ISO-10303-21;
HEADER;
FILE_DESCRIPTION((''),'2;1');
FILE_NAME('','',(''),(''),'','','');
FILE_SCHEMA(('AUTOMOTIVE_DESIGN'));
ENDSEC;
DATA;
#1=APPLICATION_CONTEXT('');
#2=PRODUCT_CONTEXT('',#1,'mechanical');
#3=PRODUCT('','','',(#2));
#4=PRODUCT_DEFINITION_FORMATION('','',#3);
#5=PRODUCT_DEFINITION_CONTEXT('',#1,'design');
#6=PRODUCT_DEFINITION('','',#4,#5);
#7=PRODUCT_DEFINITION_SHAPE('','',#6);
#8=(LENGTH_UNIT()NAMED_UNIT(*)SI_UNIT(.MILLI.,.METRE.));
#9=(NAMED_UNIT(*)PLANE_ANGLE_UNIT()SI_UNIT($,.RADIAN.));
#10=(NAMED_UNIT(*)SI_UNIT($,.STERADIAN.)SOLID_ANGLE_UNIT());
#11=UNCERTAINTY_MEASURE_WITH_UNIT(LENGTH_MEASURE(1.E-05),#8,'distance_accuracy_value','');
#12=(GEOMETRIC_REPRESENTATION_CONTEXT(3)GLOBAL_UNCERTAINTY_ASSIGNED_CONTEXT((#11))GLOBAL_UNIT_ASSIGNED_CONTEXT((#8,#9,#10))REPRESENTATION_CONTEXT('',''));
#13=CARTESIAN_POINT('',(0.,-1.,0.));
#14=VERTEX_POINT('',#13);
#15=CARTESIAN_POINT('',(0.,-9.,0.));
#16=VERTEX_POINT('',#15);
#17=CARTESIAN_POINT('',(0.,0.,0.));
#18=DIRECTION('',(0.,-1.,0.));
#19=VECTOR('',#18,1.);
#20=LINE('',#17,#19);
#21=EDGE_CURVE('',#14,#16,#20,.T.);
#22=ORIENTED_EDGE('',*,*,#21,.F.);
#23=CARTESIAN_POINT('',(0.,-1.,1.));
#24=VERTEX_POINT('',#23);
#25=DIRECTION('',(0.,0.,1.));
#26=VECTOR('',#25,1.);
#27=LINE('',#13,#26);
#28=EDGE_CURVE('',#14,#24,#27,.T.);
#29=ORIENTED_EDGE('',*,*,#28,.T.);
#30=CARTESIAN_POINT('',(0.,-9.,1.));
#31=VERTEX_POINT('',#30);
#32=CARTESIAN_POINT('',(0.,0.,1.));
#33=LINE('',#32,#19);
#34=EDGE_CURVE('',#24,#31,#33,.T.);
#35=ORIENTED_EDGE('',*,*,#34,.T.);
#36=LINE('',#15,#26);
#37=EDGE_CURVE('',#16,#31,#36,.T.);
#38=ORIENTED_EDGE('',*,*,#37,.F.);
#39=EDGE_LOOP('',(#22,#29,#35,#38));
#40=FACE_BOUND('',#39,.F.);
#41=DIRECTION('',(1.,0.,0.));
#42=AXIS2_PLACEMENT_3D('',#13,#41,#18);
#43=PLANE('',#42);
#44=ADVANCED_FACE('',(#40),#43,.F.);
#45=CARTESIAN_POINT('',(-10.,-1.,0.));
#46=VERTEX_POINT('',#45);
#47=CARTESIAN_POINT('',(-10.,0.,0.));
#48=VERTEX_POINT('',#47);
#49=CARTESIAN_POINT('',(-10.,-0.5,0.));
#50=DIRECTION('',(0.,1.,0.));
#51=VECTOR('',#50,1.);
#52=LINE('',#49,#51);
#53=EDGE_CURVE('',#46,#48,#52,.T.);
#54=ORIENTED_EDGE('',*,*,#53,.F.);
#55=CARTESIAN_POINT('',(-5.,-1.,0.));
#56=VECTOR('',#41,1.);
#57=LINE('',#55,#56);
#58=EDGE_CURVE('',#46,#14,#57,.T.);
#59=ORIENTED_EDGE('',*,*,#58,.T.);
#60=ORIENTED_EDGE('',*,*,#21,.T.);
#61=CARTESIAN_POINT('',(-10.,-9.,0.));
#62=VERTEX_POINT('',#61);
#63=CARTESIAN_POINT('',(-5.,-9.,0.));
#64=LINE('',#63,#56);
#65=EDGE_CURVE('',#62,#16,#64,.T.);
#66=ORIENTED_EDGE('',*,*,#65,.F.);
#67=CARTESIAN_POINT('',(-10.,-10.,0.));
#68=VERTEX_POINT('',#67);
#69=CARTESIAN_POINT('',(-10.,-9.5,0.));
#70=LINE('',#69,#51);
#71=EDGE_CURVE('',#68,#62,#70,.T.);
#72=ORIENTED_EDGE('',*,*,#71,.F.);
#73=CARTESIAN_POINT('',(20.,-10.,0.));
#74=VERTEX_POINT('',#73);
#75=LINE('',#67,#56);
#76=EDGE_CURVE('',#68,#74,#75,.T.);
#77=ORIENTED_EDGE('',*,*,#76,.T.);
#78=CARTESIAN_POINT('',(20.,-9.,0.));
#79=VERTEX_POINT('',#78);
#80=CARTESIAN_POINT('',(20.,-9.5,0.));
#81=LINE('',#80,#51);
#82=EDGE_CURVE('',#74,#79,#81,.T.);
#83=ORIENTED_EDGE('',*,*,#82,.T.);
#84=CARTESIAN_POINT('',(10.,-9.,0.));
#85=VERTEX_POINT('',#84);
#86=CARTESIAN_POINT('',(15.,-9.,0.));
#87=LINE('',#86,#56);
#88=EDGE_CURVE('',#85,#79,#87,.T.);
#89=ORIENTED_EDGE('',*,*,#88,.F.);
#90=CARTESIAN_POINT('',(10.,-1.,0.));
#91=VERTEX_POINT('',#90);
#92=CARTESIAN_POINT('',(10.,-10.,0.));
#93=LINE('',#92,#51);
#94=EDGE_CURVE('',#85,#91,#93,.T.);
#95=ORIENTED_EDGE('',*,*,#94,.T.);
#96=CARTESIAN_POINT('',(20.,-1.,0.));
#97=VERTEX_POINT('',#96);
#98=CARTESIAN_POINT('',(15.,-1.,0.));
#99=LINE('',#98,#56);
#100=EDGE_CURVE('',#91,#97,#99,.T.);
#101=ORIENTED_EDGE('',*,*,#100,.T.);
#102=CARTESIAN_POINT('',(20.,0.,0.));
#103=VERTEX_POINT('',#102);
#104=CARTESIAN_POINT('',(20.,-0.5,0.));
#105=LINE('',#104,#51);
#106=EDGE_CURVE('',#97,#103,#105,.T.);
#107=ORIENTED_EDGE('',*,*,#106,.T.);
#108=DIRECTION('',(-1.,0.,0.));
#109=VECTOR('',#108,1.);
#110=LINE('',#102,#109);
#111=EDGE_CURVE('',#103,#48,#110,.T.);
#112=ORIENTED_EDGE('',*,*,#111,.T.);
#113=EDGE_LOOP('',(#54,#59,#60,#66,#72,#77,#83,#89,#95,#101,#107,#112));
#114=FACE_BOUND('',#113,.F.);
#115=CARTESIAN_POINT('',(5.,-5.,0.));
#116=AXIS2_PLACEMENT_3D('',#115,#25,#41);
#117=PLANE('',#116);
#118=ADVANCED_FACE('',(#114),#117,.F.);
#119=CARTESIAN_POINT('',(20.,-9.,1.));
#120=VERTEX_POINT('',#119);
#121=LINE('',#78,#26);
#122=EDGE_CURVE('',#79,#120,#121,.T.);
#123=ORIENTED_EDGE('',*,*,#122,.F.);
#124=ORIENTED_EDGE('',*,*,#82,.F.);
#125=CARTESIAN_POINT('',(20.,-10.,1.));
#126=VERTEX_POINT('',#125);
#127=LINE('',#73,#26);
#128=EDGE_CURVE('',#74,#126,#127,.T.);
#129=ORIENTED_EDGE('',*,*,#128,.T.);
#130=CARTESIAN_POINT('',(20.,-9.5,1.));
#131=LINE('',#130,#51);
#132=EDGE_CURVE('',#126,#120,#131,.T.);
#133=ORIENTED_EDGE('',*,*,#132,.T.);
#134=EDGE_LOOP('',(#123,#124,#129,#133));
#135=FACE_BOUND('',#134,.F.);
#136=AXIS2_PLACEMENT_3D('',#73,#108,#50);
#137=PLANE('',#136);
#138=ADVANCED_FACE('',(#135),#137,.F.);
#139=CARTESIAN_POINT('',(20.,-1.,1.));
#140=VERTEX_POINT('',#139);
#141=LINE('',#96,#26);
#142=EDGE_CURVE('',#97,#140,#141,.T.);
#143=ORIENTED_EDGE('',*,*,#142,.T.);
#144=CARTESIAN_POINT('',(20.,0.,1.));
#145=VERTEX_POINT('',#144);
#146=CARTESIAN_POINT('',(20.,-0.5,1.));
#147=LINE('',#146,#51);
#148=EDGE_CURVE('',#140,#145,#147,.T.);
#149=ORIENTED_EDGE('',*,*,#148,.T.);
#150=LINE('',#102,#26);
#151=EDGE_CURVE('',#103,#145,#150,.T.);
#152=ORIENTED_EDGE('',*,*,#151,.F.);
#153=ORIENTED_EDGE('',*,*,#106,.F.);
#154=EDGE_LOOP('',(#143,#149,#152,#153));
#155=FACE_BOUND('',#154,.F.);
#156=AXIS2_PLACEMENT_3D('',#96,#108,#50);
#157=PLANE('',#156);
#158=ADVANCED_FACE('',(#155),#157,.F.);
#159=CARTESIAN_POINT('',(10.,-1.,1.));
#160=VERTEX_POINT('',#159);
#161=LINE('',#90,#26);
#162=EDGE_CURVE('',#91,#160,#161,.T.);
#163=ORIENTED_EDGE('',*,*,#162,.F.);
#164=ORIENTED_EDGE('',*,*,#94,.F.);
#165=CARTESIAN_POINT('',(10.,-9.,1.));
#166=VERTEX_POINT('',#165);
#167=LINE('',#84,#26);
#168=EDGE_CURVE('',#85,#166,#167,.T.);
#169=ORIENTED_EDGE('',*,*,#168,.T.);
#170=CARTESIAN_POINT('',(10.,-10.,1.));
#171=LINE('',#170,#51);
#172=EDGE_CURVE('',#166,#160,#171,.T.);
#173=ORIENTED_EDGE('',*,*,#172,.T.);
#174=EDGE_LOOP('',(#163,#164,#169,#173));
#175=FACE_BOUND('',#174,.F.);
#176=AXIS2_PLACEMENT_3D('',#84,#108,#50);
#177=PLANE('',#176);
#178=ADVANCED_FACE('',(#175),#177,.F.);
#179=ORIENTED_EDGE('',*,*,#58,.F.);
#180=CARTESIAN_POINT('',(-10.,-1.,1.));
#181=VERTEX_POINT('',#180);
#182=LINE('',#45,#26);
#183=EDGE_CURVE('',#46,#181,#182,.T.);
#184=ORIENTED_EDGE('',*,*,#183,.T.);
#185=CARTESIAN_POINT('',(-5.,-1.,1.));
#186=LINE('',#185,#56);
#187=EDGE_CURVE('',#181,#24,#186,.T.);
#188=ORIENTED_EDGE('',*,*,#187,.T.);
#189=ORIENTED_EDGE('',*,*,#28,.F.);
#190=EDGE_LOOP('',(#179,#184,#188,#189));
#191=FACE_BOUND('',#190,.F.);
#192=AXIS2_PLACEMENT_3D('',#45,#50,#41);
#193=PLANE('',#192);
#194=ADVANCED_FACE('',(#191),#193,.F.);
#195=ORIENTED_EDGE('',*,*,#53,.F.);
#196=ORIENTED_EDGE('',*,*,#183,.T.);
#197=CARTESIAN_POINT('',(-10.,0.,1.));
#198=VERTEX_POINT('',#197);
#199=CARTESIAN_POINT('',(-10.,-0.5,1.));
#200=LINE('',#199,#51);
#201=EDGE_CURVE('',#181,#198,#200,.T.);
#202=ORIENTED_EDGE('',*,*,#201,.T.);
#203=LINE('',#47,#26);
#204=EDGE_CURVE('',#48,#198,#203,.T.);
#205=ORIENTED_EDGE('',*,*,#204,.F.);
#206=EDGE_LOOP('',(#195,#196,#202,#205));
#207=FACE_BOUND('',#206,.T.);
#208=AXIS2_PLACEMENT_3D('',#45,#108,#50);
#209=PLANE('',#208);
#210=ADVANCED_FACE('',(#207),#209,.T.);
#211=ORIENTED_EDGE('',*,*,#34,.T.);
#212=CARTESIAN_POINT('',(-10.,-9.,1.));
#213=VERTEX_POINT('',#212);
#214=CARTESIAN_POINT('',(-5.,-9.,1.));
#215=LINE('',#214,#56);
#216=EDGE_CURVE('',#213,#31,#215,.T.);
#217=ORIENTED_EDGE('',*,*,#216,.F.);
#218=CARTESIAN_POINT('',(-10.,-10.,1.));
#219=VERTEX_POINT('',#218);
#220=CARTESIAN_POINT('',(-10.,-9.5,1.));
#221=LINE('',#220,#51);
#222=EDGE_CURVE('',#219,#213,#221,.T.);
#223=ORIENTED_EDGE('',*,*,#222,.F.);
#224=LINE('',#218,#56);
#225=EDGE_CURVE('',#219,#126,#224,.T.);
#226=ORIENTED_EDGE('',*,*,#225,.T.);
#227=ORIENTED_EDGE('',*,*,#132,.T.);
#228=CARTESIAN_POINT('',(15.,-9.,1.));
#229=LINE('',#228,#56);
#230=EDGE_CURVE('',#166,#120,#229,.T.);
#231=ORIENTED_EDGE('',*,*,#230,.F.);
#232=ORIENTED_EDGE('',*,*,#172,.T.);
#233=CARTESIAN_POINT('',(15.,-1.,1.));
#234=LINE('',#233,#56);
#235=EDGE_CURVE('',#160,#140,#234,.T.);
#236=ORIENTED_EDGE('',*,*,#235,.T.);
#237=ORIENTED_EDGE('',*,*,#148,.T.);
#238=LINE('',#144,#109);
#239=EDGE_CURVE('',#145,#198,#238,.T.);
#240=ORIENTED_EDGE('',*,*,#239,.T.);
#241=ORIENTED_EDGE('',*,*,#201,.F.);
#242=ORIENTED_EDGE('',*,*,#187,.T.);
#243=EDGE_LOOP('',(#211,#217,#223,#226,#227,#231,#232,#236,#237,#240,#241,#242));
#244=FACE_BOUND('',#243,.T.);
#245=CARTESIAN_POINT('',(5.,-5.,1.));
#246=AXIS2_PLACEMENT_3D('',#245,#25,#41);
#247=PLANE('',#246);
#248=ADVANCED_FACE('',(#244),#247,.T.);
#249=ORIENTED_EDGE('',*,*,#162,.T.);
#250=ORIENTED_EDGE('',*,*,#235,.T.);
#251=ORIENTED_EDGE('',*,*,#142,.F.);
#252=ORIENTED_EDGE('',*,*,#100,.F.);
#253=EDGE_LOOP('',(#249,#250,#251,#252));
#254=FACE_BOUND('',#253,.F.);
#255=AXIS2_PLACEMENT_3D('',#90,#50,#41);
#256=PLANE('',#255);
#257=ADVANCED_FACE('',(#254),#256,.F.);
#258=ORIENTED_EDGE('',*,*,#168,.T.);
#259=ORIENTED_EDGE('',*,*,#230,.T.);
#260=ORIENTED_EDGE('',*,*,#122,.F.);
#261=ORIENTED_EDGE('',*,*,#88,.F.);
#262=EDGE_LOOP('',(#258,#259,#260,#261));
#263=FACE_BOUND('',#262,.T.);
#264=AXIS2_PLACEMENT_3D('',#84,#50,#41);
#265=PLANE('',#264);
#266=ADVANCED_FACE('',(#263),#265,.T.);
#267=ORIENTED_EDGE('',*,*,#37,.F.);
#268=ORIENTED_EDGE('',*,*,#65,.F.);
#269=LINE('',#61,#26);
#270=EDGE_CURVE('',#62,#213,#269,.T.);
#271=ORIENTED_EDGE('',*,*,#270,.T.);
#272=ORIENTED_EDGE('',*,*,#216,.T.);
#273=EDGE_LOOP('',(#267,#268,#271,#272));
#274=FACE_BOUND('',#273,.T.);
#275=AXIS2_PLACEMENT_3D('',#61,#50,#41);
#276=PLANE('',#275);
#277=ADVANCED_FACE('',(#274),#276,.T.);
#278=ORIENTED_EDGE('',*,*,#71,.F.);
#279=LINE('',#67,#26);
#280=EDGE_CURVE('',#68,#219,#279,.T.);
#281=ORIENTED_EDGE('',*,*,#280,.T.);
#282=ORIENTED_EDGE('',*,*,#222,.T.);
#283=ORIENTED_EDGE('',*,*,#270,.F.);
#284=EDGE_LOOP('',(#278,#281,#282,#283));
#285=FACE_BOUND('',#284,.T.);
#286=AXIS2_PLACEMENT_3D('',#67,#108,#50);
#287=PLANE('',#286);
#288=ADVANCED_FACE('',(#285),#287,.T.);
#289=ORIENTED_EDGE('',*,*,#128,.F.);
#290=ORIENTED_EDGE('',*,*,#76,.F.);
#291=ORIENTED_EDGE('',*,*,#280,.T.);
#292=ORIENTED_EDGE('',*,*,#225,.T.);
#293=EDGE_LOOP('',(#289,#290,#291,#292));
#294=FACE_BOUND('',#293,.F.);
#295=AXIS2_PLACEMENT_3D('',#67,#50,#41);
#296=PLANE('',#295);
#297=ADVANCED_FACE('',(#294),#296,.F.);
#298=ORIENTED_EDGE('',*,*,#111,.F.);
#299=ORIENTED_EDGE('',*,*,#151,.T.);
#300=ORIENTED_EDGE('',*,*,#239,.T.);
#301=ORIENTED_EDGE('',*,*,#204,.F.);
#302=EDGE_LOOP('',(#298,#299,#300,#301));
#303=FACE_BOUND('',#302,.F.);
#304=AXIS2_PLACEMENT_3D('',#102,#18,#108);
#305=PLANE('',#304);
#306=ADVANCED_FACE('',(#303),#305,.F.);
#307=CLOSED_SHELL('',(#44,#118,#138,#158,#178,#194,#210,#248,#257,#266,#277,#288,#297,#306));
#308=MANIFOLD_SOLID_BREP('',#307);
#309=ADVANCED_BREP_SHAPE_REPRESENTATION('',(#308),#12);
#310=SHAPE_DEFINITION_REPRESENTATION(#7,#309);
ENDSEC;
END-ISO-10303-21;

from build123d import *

# Parameters (mm, degrees)
F0_W     = 10
F0_H     = 1
F1_DEPTH = 1


with BuildPart() as f1:
    # F0 (on Top) → F1 (new body)
    with BuildSketch(Plane.XY):
        Polygon((10, 0), (0, 0), (0, -1), (0, -9), (0, -10), (10, -10), (10, -9), (10, -1), align=None)
        with Locations((-5, -0.5)):
            Rectangle(F0_W, F0_H)
        with Locations((15, -0.5)):
            Rectangle(F0_W, F0_H)
        with Locations((-5, -9.5)):
            Rectangle(F0_W, F0_H)
        with Locations((15, -9.5)):
            Rectangle(F0_W, F0_H)
    extrude(amount=F1_DEPTH)


solid = f1.part
